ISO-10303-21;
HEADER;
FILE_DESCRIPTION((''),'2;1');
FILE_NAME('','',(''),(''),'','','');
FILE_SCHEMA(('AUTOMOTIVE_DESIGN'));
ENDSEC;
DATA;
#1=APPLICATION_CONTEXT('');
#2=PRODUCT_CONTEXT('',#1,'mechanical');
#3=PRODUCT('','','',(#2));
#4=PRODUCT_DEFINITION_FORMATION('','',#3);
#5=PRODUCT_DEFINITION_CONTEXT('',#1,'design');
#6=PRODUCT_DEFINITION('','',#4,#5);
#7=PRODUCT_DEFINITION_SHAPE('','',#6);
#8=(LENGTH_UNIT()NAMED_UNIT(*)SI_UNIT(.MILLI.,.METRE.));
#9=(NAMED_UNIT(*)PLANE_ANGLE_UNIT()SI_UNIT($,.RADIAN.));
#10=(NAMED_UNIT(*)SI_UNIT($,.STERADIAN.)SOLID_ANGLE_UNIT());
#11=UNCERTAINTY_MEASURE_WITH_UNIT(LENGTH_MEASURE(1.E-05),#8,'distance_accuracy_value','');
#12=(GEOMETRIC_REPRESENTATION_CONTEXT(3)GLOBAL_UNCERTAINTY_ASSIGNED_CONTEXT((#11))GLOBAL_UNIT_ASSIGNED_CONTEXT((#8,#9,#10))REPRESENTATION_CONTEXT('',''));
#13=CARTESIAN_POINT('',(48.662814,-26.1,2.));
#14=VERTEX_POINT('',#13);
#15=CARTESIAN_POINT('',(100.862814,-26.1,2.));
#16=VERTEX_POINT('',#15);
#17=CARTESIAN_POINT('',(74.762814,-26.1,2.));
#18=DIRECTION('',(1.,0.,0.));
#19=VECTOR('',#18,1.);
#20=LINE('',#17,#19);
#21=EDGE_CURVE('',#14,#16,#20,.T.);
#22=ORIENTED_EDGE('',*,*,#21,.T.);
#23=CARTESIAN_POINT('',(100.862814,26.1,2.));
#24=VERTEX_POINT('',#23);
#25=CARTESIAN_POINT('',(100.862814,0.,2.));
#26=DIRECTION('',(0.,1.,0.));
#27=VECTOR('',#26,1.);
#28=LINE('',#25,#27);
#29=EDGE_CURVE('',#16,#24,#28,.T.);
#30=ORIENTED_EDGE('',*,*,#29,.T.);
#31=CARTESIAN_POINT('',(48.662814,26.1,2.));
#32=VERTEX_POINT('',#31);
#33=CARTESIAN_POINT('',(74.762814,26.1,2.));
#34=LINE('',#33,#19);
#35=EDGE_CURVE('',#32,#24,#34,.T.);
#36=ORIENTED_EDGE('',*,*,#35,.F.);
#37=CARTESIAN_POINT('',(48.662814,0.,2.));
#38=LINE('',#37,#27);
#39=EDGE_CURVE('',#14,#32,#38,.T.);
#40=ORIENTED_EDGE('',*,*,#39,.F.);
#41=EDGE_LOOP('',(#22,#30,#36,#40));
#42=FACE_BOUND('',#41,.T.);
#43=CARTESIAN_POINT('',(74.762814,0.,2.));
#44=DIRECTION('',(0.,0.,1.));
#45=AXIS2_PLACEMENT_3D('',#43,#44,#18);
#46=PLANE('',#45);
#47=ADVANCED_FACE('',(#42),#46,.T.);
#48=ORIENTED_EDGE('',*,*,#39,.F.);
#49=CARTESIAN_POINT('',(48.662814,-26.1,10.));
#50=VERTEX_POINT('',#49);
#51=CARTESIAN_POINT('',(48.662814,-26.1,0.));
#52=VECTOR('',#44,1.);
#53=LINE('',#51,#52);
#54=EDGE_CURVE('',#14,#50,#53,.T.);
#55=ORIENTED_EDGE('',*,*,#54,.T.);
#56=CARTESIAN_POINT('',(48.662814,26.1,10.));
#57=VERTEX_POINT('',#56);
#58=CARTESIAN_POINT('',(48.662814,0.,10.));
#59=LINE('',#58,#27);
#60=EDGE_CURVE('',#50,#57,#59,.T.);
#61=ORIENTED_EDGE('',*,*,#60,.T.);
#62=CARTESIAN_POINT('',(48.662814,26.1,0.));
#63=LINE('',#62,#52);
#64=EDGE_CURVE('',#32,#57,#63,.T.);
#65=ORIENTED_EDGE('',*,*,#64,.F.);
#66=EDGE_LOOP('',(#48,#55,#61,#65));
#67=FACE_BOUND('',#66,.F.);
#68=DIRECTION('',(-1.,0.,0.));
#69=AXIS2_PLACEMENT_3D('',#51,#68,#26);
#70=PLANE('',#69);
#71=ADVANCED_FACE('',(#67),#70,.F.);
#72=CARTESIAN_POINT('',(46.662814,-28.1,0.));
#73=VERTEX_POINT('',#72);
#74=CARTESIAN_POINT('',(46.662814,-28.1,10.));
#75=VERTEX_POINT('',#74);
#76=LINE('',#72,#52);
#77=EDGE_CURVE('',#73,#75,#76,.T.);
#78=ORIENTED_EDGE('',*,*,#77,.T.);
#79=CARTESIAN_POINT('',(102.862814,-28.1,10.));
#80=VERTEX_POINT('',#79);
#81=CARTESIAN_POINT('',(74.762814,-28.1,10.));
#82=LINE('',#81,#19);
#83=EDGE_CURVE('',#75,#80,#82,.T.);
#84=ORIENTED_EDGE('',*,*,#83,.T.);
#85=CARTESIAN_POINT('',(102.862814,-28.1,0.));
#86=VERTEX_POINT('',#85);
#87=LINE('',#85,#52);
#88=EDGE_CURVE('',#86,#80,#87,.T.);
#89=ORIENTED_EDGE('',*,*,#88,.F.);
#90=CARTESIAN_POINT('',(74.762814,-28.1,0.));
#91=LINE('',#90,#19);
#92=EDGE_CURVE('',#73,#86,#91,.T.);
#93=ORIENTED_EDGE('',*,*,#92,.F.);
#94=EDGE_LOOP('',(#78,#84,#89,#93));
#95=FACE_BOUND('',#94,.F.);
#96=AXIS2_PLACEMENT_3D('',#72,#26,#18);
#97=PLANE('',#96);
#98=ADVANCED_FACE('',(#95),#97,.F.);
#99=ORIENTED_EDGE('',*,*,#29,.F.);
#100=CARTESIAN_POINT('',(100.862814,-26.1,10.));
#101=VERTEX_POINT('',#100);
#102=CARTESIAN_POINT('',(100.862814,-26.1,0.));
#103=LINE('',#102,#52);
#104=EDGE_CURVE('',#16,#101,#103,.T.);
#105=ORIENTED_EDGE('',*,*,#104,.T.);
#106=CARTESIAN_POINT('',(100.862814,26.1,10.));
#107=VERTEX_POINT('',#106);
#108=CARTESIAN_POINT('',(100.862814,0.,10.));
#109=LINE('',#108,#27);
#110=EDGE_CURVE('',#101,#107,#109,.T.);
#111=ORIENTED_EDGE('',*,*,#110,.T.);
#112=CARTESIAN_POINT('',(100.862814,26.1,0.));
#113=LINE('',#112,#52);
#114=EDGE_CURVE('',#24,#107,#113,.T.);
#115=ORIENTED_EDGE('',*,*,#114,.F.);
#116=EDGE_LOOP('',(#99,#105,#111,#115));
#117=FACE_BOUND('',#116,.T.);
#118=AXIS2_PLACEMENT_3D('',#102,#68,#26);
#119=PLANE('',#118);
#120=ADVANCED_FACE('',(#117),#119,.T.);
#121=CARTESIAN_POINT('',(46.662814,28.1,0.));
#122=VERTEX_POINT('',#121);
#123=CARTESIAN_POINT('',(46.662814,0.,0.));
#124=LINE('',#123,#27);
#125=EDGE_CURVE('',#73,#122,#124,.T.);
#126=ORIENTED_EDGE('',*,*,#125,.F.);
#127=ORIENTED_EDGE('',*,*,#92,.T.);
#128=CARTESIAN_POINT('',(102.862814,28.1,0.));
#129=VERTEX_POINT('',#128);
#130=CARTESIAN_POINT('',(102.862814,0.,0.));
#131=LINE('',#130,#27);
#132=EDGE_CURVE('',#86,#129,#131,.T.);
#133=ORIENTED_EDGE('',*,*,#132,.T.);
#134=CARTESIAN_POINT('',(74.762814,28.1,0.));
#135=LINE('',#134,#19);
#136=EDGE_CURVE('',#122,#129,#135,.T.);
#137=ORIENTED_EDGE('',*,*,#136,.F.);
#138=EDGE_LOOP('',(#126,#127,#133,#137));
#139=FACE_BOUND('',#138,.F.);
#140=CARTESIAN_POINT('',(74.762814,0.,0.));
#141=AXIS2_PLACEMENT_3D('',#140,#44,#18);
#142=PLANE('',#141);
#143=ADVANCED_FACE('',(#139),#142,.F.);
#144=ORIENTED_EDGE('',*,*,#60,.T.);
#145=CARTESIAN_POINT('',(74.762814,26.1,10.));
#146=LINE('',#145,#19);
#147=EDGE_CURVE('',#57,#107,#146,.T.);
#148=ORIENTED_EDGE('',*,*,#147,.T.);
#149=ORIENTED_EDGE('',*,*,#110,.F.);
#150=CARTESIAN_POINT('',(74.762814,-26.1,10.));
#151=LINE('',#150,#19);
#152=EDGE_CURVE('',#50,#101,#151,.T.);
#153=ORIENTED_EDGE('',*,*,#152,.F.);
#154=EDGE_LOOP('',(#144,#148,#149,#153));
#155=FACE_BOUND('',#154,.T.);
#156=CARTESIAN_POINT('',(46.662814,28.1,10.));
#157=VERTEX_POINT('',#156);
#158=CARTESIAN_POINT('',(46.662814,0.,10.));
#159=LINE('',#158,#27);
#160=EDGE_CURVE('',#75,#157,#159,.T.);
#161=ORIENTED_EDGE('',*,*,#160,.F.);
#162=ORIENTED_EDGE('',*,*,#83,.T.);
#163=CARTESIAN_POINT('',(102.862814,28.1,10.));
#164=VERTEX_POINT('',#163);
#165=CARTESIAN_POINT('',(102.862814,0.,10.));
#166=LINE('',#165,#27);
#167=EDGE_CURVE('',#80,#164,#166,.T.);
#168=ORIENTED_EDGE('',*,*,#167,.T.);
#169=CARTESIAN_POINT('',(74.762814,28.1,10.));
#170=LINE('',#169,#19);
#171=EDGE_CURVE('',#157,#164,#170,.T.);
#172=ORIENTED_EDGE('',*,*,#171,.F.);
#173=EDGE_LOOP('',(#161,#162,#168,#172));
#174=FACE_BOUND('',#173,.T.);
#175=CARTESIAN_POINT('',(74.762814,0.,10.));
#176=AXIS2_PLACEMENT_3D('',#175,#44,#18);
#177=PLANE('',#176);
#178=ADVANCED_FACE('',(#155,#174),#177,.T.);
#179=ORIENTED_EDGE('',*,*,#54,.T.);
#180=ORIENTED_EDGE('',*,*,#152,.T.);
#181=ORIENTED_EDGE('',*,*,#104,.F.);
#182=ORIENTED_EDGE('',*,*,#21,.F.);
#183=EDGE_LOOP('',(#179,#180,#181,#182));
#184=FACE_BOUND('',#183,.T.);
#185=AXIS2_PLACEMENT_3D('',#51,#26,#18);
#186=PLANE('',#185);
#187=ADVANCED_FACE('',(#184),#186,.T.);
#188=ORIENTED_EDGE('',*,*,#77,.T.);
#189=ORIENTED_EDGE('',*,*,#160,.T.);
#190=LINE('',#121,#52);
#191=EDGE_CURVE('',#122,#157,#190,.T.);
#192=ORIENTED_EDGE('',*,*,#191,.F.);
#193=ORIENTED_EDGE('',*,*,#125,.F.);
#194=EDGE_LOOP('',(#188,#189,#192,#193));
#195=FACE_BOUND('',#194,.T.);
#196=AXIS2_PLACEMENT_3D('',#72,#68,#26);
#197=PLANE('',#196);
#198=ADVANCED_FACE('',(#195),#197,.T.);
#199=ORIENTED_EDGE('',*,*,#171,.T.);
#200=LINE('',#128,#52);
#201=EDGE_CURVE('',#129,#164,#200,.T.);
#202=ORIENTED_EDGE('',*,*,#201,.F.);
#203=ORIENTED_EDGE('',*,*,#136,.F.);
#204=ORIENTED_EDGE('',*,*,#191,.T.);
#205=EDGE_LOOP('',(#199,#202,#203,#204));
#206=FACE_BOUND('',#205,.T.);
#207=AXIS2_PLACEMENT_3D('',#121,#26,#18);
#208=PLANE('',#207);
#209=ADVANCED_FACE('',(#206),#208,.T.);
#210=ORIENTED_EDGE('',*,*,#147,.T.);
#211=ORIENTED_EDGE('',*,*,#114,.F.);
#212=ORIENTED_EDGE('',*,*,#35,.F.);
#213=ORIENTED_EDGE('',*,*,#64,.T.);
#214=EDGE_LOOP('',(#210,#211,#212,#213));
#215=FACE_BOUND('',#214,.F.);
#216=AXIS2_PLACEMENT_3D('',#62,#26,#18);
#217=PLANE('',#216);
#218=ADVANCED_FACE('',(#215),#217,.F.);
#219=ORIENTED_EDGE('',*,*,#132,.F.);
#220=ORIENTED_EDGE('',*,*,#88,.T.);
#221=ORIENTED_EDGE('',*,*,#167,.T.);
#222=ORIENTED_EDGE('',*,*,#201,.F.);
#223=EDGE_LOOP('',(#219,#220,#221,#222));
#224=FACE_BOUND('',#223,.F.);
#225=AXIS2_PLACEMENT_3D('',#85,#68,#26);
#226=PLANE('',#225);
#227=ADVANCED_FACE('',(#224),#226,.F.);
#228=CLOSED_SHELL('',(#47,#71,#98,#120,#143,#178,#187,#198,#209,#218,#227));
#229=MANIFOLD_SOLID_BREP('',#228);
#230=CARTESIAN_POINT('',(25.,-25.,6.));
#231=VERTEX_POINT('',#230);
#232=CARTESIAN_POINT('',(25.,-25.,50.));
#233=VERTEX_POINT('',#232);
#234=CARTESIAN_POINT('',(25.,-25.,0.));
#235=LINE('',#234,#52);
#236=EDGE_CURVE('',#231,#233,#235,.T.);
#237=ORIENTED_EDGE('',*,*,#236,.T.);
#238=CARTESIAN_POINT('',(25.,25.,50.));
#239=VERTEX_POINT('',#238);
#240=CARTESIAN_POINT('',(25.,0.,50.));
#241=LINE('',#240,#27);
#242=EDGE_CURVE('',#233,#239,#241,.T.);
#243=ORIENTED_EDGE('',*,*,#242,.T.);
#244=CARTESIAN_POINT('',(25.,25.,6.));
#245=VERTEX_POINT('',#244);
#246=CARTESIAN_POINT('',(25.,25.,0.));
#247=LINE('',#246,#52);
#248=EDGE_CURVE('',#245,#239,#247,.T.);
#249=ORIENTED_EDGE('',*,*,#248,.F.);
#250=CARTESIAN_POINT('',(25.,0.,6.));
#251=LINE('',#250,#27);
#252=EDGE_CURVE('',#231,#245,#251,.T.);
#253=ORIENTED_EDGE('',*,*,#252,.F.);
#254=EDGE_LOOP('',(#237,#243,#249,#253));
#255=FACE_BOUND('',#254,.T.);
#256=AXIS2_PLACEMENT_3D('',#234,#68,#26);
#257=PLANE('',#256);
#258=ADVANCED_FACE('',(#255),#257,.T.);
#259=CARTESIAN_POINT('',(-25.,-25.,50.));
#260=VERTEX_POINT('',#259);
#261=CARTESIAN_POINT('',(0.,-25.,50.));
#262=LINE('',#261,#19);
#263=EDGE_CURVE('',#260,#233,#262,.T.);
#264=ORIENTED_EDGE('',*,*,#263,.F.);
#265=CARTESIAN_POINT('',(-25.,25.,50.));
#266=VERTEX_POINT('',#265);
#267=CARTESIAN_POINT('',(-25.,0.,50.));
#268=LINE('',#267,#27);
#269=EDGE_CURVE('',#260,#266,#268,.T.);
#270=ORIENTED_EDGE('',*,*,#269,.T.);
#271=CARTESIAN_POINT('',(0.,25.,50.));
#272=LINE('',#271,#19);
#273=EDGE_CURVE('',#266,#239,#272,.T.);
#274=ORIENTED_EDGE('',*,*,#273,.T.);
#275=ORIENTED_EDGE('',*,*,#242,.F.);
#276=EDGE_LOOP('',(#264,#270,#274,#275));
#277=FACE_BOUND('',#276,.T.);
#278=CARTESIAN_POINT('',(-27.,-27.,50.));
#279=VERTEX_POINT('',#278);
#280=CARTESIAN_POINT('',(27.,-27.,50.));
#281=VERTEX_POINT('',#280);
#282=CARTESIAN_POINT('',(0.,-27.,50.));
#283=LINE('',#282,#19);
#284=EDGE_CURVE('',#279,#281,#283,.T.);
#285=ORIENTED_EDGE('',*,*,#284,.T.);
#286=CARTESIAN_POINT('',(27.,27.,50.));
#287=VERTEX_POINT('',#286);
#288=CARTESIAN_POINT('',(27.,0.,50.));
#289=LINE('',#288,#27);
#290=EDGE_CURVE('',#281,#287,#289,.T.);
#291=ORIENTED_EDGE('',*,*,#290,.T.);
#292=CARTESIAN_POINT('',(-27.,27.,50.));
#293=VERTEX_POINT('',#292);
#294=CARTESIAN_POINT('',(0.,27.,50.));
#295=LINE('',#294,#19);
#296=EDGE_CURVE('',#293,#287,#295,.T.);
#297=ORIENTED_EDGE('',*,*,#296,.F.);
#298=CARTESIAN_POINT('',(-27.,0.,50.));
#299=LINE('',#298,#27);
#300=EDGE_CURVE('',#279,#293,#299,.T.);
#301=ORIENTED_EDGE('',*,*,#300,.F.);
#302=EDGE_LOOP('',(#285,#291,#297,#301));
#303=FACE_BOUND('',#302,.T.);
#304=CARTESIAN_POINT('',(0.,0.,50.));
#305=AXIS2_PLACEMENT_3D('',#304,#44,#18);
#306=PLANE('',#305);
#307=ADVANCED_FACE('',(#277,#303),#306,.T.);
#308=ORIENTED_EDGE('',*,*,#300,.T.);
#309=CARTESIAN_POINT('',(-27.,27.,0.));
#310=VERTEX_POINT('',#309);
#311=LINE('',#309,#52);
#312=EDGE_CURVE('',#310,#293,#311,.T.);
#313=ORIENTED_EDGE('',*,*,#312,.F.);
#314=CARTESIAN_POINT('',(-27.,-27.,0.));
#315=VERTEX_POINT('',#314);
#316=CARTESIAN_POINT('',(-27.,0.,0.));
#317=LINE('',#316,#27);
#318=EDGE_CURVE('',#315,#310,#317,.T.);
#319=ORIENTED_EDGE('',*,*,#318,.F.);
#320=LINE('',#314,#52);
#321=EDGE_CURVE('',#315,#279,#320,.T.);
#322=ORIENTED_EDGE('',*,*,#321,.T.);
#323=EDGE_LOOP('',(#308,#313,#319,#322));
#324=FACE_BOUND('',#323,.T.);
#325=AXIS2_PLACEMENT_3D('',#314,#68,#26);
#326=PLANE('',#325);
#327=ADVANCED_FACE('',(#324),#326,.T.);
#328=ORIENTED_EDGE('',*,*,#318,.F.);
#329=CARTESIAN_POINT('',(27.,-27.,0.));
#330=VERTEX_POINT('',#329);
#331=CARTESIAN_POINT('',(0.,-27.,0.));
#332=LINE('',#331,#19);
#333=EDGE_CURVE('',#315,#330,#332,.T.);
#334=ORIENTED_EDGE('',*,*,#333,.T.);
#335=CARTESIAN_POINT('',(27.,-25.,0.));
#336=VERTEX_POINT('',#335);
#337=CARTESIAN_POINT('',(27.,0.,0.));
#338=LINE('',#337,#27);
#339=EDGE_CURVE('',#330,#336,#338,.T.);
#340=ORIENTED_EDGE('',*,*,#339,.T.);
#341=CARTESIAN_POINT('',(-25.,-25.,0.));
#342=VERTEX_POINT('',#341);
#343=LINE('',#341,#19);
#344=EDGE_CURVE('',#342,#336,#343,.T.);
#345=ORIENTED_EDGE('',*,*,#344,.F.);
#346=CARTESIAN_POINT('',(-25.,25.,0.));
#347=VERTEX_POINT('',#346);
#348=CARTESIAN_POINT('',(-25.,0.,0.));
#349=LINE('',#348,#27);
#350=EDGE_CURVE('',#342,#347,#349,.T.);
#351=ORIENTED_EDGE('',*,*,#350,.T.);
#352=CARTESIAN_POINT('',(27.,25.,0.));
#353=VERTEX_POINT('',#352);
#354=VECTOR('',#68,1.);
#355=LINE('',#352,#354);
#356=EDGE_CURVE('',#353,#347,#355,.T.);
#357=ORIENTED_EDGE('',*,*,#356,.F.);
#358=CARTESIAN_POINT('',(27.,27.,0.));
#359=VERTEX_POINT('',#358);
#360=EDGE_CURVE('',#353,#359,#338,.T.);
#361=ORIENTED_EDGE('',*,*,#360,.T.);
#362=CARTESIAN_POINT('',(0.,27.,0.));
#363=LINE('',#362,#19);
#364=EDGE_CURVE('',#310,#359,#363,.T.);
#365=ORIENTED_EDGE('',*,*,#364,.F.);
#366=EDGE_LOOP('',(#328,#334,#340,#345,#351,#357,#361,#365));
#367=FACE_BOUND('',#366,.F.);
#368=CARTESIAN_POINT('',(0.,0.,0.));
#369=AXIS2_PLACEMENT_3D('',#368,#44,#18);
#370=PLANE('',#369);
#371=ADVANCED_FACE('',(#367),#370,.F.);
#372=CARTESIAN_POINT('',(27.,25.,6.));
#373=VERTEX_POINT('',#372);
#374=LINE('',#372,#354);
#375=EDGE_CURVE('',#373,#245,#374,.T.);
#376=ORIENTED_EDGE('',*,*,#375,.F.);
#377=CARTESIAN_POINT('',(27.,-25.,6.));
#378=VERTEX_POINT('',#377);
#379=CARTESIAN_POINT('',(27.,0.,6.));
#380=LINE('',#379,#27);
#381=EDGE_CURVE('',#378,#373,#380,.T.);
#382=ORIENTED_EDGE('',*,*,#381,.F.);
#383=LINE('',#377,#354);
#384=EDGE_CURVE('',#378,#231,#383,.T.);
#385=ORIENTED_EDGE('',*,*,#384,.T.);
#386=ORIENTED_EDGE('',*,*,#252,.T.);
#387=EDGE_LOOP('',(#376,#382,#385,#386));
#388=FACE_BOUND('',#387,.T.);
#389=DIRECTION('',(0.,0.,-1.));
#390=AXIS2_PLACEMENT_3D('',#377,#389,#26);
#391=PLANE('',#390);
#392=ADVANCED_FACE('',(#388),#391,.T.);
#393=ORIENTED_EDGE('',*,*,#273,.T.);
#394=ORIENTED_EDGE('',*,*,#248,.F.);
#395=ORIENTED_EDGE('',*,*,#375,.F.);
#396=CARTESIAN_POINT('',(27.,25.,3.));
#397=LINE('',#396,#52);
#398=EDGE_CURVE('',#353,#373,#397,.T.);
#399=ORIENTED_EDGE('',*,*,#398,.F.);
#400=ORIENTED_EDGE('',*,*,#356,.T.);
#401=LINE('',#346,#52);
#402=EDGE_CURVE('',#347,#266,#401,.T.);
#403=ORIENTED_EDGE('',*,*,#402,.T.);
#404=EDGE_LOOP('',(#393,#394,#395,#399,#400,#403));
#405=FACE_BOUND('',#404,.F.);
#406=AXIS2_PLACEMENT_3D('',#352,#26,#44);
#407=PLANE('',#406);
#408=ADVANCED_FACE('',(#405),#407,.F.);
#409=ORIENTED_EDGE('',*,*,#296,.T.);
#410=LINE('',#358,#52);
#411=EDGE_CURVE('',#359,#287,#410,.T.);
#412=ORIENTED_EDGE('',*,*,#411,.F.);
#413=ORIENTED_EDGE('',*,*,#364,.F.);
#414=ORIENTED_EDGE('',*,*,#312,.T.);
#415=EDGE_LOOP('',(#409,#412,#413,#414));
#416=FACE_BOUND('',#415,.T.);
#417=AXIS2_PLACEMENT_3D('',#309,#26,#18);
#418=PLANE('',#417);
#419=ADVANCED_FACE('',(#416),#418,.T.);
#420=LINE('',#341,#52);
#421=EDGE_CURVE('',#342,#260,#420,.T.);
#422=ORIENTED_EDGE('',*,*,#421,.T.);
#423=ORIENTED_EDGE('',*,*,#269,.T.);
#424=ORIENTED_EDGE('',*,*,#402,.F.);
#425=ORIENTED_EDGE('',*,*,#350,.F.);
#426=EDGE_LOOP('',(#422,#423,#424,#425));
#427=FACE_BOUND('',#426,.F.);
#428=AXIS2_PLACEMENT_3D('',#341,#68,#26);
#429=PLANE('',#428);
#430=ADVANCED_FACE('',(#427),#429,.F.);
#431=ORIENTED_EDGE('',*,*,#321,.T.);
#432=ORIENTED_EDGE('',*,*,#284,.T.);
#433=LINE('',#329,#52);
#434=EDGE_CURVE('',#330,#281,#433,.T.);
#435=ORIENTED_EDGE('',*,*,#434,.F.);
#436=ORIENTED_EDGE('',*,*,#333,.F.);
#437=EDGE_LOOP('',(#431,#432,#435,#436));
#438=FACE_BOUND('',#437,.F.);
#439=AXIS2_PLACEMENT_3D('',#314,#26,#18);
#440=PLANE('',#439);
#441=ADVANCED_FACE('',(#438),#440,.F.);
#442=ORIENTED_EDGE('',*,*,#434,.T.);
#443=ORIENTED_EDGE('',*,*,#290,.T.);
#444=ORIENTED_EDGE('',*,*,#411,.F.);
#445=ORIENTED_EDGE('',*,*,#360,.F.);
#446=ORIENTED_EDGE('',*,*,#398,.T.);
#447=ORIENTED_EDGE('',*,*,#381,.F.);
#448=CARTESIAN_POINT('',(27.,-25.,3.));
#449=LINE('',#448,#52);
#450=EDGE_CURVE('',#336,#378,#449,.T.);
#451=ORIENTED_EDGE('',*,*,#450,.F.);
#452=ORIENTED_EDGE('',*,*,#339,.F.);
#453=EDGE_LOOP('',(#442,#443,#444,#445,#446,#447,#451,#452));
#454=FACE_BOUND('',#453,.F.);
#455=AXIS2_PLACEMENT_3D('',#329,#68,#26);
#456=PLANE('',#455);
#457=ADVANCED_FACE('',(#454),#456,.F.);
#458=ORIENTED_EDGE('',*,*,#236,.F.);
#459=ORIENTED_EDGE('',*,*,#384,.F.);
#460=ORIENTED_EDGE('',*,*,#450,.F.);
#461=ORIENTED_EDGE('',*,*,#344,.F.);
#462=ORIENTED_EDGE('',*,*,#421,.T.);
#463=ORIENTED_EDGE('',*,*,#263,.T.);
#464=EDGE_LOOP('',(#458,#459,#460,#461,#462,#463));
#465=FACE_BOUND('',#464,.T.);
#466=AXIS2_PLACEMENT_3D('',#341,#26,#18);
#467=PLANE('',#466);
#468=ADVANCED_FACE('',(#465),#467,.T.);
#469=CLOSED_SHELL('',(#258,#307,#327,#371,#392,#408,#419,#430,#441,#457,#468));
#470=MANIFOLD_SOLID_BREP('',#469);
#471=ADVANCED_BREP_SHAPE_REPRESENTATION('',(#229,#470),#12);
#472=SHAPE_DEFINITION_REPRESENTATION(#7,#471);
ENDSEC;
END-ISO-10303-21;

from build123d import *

# Parameters (mm, degrees)
F0_W     = 54
F0_H     = 54
F0_W_2   = 50
F0_H_2   = 50
F1_DEPTH = 50
F3_W     = 50
F3_H     = 6
F4_DEPTH = 2
F0_W_3   = 56.2
F0_H_3   = 56.2
F0_W_4   = 52.2
F0_H_4   = 52.2
F5_DEPTH = 10
F6_DEPTH = 2


with BuildPart() as f1:
    # F0 (on Top) → F1 (new body)
    with BuildSketch(Plane.XY):
        Rectangle(F0_W, F0_H)
        Rectangle(F0_W_2, F0_H_2, mode=Mode.SUBTRACT)
    extrude(amount=F1_DEPTH)

    # F3 (on offset) → F4 (cut)
    with BuildSketch(Plane.YZ.offset(27)):
        with Locations((0, 3)):
            Rectangle(F3_W, F3_H)
    extrude(amount=-F4_DEPTH, mode=Mode.SUBTRACT)


with BuildPart() as f5:
    # F0 (on Top) → F5 (new body)
    with BuildSketch(Plane.XY):
        with Locations((74.762814, 0)):
            Rectangle(F0_W_3, F0_H_3)
        with Locations((74.762814, 0)):
            Rectangle(F0_W_4, F0_H_4, mode=Mode.SUBTRACT)
    extrude(amount=F5_DEPTH)

    # F0 (on Top) → F6 (join)
    with BuildSketch(Plane.XY):
        with Locations((74.762814, 0)):
            Rectangle(F0_W_4, F0_H_4)
    extrude(amount=F6_DEPTH)


solid = Compound([f1.part, f5.part])
